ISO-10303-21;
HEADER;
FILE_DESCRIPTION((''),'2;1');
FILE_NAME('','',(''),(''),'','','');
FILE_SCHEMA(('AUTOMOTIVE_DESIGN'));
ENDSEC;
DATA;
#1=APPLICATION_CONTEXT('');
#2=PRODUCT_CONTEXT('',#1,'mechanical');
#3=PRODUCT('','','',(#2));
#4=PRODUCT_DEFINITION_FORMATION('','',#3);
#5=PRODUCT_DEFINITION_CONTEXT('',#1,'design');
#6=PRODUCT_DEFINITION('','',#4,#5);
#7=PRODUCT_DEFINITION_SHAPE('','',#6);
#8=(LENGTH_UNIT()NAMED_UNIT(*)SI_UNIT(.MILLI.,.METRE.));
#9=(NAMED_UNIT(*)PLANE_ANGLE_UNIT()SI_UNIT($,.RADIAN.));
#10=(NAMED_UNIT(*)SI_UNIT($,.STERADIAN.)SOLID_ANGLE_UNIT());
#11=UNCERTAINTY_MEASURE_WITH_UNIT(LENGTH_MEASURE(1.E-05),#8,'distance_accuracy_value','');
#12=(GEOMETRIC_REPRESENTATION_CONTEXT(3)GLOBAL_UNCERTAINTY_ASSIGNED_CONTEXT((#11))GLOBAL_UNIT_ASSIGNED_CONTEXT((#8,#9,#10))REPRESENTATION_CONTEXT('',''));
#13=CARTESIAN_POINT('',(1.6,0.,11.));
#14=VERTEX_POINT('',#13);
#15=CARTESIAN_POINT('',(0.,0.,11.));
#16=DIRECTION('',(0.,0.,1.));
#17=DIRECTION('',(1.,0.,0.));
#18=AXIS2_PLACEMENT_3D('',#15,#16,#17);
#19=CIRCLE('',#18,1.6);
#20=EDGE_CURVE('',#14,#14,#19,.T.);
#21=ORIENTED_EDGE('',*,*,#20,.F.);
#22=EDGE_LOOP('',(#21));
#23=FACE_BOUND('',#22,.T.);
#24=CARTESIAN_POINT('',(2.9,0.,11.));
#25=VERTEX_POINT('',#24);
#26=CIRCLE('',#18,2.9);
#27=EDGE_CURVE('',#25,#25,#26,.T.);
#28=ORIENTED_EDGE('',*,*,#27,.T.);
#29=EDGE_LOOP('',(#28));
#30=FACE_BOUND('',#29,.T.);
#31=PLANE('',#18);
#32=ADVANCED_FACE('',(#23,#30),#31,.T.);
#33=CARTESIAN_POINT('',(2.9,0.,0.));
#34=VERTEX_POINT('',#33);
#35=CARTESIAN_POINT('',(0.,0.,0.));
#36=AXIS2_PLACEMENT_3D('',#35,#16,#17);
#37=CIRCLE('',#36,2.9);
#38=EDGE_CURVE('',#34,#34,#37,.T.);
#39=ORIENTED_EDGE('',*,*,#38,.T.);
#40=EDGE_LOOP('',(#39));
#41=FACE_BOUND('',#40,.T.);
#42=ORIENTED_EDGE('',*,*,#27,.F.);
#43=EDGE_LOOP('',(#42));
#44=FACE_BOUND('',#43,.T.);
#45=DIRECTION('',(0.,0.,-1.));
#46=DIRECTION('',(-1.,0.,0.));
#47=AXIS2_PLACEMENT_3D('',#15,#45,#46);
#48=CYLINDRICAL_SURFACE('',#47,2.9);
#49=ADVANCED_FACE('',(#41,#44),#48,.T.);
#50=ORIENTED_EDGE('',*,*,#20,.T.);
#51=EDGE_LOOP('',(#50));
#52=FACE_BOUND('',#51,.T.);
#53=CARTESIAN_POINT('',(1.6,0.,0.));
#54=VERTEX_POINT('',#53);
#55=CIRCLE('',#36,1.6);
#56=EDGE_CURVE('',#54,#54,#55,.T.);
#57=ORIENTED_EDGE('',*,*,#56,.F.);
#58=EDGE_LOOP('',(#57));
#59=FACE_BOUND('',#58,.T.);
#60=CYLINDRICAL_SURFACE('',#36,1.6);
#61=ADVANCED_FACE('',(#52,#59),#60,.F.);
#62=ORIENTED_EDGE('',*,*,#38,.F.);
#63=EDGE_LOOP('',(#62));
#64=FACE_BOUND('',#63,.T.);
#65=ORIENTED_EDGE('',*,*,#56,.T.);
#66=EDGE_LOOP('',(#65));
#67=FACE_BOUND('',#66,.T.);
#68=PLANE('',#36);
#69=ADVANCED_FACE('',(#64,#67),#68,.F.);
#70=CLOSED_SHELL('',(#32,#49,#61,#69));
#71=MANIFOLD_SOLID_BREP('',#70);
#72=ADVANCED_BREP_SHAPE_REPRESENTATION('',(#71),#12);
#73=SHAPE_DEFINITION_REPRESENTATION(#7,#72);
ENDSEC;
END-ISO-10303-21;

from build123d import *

# Parameters (mm, degrees)
SZKIC1_R                    = 2.9
DODANIE_WYCI_GNI_CIE1_DEPTH = 11
SZKIC2_R                    = 1.6
WYTNIJ_WYCI_GNI_CIE1_DEPTH  = 12.739676316


with BuildPart() as part:
    # Szkic1 → Dodanie-wyciągnięcie1 (new body)
    with BuildSketch(Plane.XY):
        Circle(SZKIC1_R)
    extrude(amount=DODANIE_WYCI_GNI_CIE1_DEPTH)

    # Szkic2 → Wytnij-wyciągnięcie1 (cut, through all)
    with BuildSketch(Plane.XY.offset(11)):
        Circle(SZKIC2_R)
    extrude(amount=-WYTNIJ_WYCI_GNI_CIE1_DEPTH, mode=Mode.SUBTRACT)


solid = part.part
